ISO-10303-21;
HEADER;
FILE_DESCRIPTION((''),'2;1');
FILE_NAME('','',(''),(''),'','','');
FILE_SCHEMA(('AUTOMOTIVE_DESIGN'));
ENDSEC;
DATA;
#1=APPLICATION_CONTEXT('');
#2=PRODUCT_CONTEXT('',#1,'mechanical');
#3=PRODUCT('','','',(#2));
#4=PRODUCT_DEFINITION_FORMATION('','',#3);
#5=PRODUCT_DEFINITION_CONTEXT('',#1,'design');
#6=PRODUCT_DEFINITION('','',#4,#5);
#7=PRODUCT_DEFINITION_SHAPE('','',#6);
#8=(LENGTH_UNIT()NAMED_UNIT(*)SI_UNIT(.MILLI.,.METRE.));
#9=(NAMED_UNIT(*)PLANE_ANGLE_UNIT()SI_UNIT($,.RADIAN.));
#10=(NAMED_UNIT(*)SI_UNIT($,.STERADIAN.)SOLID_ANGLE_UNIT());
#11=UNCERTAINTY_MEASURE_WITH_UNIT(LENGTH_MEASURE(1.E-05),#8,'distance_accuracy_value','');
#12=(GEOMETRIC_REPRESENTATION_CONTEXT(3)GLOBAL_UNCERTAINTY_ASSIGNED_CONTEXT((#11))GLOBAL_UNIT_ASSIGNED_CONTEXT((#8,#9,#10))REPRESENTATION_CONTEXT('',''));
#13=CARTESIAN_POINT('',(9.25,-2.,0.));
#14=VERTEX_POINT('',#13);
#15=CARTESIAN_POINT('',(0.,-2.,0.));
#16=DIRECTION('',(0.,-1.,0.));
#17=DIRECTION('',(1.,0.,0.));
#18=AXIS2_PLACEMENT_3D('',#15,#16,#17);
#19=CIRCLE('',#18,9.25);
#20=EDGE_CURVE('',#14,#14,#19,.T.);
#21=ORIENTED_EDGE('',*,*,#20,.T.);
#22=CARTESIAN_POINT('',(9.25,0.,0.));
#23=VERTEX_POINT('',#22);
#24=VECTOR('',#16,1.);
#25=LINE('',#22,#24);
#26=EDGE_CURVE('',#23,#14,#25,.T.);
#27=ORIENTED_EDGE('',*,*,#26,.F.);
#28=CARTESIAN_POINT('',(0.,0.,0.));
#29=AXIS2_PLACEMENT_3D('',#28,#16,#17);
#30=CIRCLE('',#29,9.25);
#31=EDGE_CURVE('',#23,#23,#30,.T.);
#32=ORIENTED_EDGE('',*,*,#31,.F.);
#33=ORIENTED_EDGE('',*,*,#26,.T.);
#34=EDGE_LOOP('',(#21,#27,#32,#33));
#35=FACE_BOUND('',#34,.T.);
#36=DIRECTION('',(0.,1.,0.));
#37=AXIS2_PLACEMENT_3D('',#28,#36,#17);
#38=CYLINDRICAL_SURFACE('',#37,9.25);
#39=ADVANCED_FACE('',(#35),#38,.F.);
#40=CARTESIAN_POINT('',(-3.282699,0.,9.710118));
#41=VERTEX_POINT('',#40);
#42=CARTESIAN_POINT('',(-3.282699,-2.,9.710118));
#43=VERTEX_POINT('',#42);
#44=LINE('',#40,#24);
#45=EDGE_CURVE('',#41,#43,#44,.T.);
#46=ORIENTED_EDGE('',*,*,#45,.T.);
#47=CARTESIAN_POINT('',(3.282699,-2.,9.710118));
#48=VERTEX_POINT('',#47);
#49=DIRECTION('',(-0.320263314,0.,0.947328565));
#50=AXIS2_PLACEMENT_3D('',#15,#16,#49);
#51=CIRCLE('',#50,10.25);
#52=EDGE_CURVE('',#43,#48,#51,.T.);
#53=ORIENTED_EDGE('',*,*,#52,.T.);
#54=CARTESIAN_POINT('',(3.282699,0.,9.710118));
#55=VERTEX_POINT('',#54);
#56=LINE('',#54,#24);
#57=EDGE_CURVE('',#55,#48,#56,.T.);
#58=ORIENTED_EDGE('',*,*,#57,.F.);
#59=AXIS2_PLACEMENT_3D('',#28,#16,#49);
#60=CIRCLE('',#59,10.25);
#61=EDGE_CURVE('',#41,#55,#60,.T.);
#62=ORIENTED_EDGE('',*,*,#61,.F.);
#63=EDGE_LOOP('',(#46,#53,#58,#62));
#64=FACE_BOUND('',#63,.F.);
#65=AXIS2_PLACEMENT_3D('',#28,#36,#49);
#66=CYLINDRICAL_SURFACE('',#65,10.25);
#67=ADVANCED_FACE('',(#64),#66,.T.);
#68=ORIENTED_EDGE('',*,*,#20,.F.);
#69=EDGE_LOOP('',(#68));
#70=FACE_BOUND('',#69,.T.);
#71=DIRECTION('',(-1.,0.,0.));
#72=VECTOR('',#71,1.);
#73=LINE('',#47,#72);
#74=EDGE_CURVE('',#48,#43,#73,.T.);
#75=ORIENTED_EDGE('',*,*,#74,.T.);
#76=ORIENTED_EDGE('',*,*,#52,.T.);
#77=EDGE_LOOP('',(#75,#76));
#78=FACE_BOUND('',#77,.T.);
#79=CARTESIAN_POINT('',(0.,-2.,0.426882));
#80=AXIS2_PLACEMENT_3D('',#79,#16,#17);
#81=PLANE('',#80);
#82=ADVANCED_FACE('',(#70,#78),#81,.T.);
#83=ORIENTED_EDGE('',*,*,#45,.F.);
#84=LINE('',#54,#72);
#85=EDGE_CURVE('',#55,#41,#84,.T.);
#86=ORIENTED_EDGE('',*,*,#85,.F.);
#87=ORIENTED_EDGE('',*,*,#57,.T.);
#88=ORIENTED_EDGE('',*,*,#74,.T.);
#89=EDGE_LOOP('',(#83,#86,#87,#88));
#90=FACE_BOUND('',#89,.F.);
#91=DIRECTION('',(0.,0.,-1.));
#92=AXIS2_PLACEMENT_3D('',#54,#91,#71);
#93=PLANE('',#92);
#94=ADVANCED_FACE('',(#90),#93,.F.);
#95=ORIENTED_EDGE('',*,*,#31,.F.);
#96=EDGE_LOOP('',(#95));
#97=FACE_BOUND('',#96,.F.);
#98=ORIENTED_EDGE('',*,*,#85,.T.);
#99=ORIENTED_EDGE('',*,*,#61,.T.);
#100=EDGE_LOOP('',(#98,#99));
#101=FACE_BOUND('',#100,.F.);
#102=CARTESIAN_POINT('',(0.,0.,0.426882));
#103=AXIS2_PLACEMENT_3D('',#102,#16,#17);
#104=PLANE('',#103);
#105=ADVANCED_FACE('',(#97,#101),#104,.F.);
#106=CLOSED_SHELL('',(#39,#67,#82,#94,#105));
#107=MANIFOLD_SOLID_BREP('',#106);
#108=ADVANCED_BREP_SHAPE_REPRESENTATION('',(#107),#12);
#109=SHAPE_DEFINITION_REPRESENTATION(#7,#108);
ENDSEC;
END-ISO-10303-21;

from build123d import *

# Parameters (mm, degrees)
F0_R     = 9.25
F1_DEPTH = 2


with BuildPart() as f1:
    # F0 (on Front) → F1 (new body)
    with BuildSketch(Plane.XZ):
        with BuildLine():
            Line((3.282699, 9.710118), (-3.282699, 9.710118))
            ThreePointArc((-3.282699, 9.710118), (0, -10.25), (3.282699, 9.710118))
        make_face()
        Circle(F0_R, mode=Mode.SUBTRACT)
    extrude(amount=F1_DEPTH)


solid = f1.part
